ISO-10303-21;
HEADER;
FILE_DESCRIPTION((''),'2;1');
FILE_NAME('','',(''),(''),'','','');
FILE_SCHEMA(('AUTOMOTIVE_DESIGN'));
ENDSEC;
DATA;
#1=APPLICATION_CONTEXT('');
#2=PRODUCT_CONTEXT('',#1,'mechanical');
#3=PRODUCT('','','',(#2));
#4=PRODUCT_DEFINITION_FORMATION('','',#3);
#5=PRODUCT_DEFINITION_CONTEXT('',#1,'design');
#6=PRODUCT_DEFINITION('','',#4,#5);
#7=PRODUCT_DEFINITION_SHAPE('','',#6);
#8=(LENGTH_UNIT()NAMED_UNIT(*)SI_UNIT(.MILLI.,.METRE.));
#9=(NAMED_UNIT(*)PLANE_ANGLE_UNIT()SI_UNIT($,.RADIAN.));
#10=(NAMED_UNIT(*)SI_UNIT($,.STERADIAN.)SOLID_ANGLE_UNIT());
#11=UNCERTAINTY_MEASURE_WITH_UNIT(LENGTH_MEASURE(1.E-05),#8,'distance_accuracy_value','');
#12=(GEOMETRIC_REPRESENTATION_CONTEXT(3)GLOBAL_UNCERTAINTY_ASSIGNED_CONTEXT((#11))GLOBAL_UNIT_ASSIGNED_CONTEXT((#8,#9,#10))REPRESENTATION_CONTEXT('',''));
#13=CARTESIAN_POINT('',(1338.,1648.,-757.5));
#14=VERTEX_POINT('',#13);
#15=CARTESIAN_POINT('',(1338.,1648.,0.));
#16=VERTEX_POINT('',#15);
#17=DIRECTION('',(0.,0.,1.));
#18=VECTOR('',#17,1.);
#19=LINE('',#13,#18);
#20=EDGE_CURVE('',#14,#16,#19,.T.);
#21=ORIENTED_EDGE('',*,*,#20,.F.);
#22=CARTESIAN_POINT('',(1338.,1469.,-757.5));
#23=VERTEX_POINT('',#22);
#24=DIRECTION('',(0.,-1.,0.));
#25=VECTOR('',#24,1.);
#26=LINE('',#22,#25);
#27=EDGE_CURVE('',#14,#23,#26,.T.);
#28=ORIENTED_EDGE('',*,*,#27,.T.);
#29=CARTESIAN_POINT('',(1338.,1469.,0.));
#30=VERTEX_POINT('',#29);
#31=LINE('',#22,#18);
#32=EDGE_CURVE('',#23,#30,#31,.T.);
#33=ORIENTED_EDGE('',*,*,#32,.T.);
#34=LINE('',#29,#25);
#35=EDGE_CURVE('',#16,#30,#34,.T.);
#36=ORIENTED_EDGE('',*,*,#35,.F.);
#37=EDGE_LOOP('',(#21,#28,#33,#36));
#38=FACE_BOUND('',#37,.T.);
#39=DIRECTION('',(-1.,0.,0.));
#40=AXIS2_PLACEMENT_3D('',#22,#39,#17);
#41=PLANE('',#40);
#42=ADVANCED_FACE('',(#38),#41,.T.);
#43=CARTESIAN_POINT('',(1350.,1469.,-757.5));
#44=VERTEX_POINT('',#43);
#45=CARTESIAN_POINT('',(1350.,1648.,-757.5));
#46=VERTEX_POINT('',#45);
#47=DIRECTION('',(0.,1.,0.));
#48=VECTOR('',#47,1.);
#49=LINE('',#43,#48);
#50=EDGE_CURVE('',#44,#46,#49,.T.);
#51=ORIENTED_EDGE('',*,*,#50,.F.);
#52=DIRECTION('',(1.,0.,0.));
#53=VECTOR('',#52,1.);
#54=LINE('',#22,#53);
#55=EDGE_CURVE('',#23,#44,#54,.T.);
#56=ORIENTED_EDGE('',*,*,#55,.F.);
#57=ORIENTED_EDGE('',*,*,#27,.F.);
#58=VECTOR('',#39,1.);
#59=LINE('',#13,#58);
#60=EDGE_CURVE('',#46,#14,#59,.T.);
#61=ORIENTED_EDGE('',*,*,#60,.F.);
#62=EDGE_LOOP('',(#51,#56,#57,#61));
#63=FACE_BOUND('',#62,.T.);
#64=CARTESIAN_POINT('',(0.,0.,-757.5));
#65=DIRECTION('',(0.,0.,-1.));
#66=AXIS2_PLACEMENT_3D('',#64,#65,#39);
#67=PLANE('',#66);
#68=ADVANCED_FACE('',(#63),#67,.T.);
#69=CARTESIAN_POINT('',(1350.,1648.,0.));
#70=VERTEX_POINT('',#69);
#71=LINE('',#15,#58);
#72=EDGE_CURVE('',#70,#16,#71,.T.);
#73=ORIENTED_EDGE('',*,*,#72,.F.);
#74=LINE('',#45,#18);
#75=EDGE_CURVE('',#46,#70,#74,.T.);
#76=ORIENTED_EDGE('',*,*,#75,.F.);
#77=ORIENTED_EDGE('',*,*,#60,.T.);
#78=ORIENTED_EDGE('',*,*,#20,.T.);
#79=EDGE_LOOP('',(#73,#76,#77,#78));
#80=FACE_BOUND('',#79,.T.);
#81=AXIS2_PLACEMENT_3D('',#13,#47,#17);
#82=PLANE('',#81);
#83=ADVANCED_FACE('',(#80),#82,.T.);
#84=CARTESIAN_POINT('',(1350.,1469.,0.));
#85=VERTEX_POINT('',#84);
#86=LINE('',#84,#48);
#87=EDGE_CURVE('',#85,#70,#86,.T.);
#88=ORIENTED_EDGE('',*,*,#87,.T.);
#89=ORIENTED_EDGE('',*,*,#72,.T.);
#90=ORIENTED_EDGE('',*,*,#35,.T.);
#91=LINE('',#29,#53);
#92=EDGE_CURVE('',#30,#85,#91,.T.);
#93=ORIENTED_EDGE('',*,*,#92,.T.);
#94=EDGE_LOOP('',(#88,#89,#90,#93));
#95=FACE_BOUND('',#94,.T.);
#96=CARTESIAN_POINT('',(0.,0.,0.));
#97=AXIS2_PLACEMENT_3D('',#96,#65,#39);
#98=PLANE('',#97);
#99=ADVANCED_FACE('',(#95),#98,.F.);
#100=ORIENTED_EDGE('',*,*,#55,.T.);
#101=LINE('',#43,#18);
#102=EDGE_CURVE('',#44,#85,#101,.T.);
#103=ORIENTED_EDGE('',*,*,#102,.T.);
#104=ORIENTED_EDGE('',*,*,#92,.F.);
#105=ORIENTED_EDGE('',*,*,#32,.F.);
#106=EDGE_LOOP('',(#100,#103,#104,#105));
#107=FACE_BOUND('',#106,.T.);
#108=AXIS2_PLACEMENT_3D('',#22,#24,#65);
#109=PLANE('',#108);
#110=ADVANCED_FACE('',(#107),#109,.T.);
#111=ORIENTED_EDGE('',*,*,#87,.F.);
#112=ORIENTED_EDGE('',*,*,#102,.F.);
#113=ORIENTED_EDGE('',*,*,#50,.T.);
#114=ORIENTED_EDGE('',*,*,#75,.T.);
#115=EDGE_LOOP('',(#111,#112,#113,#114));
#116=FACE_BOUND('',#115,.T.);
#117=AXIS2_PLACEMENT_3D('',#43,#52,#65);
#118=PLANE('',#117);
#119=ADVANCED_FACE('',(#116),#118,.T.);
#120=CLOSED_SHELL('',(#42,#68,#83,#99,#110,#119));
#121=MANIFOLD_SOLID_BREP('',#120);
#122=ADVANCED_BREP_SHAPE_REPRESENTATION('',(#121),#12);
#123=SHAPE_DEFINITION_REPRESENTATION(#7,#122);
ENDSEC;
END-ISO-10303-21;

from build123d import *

# Parameters (mm, degrees)
SKETCH1_W                  = 12
SKETCH1_H                  = 179
DET_BOLME_SACI_SAG_1_DEPTH = 757.5


with BuildPart() as part:
    # Sketch1 → DET_bolme_saci_sag_1 (new body)
    with BuildSketch(Plane.XY):
        with Locations((1344, 1558.5)):
            Rectangle(SKETCH1_W, SKETCH1_H)
    extrude(amount=-DET_BOLME_SACI_SAG_1_DEPTH)


solid = part.part
